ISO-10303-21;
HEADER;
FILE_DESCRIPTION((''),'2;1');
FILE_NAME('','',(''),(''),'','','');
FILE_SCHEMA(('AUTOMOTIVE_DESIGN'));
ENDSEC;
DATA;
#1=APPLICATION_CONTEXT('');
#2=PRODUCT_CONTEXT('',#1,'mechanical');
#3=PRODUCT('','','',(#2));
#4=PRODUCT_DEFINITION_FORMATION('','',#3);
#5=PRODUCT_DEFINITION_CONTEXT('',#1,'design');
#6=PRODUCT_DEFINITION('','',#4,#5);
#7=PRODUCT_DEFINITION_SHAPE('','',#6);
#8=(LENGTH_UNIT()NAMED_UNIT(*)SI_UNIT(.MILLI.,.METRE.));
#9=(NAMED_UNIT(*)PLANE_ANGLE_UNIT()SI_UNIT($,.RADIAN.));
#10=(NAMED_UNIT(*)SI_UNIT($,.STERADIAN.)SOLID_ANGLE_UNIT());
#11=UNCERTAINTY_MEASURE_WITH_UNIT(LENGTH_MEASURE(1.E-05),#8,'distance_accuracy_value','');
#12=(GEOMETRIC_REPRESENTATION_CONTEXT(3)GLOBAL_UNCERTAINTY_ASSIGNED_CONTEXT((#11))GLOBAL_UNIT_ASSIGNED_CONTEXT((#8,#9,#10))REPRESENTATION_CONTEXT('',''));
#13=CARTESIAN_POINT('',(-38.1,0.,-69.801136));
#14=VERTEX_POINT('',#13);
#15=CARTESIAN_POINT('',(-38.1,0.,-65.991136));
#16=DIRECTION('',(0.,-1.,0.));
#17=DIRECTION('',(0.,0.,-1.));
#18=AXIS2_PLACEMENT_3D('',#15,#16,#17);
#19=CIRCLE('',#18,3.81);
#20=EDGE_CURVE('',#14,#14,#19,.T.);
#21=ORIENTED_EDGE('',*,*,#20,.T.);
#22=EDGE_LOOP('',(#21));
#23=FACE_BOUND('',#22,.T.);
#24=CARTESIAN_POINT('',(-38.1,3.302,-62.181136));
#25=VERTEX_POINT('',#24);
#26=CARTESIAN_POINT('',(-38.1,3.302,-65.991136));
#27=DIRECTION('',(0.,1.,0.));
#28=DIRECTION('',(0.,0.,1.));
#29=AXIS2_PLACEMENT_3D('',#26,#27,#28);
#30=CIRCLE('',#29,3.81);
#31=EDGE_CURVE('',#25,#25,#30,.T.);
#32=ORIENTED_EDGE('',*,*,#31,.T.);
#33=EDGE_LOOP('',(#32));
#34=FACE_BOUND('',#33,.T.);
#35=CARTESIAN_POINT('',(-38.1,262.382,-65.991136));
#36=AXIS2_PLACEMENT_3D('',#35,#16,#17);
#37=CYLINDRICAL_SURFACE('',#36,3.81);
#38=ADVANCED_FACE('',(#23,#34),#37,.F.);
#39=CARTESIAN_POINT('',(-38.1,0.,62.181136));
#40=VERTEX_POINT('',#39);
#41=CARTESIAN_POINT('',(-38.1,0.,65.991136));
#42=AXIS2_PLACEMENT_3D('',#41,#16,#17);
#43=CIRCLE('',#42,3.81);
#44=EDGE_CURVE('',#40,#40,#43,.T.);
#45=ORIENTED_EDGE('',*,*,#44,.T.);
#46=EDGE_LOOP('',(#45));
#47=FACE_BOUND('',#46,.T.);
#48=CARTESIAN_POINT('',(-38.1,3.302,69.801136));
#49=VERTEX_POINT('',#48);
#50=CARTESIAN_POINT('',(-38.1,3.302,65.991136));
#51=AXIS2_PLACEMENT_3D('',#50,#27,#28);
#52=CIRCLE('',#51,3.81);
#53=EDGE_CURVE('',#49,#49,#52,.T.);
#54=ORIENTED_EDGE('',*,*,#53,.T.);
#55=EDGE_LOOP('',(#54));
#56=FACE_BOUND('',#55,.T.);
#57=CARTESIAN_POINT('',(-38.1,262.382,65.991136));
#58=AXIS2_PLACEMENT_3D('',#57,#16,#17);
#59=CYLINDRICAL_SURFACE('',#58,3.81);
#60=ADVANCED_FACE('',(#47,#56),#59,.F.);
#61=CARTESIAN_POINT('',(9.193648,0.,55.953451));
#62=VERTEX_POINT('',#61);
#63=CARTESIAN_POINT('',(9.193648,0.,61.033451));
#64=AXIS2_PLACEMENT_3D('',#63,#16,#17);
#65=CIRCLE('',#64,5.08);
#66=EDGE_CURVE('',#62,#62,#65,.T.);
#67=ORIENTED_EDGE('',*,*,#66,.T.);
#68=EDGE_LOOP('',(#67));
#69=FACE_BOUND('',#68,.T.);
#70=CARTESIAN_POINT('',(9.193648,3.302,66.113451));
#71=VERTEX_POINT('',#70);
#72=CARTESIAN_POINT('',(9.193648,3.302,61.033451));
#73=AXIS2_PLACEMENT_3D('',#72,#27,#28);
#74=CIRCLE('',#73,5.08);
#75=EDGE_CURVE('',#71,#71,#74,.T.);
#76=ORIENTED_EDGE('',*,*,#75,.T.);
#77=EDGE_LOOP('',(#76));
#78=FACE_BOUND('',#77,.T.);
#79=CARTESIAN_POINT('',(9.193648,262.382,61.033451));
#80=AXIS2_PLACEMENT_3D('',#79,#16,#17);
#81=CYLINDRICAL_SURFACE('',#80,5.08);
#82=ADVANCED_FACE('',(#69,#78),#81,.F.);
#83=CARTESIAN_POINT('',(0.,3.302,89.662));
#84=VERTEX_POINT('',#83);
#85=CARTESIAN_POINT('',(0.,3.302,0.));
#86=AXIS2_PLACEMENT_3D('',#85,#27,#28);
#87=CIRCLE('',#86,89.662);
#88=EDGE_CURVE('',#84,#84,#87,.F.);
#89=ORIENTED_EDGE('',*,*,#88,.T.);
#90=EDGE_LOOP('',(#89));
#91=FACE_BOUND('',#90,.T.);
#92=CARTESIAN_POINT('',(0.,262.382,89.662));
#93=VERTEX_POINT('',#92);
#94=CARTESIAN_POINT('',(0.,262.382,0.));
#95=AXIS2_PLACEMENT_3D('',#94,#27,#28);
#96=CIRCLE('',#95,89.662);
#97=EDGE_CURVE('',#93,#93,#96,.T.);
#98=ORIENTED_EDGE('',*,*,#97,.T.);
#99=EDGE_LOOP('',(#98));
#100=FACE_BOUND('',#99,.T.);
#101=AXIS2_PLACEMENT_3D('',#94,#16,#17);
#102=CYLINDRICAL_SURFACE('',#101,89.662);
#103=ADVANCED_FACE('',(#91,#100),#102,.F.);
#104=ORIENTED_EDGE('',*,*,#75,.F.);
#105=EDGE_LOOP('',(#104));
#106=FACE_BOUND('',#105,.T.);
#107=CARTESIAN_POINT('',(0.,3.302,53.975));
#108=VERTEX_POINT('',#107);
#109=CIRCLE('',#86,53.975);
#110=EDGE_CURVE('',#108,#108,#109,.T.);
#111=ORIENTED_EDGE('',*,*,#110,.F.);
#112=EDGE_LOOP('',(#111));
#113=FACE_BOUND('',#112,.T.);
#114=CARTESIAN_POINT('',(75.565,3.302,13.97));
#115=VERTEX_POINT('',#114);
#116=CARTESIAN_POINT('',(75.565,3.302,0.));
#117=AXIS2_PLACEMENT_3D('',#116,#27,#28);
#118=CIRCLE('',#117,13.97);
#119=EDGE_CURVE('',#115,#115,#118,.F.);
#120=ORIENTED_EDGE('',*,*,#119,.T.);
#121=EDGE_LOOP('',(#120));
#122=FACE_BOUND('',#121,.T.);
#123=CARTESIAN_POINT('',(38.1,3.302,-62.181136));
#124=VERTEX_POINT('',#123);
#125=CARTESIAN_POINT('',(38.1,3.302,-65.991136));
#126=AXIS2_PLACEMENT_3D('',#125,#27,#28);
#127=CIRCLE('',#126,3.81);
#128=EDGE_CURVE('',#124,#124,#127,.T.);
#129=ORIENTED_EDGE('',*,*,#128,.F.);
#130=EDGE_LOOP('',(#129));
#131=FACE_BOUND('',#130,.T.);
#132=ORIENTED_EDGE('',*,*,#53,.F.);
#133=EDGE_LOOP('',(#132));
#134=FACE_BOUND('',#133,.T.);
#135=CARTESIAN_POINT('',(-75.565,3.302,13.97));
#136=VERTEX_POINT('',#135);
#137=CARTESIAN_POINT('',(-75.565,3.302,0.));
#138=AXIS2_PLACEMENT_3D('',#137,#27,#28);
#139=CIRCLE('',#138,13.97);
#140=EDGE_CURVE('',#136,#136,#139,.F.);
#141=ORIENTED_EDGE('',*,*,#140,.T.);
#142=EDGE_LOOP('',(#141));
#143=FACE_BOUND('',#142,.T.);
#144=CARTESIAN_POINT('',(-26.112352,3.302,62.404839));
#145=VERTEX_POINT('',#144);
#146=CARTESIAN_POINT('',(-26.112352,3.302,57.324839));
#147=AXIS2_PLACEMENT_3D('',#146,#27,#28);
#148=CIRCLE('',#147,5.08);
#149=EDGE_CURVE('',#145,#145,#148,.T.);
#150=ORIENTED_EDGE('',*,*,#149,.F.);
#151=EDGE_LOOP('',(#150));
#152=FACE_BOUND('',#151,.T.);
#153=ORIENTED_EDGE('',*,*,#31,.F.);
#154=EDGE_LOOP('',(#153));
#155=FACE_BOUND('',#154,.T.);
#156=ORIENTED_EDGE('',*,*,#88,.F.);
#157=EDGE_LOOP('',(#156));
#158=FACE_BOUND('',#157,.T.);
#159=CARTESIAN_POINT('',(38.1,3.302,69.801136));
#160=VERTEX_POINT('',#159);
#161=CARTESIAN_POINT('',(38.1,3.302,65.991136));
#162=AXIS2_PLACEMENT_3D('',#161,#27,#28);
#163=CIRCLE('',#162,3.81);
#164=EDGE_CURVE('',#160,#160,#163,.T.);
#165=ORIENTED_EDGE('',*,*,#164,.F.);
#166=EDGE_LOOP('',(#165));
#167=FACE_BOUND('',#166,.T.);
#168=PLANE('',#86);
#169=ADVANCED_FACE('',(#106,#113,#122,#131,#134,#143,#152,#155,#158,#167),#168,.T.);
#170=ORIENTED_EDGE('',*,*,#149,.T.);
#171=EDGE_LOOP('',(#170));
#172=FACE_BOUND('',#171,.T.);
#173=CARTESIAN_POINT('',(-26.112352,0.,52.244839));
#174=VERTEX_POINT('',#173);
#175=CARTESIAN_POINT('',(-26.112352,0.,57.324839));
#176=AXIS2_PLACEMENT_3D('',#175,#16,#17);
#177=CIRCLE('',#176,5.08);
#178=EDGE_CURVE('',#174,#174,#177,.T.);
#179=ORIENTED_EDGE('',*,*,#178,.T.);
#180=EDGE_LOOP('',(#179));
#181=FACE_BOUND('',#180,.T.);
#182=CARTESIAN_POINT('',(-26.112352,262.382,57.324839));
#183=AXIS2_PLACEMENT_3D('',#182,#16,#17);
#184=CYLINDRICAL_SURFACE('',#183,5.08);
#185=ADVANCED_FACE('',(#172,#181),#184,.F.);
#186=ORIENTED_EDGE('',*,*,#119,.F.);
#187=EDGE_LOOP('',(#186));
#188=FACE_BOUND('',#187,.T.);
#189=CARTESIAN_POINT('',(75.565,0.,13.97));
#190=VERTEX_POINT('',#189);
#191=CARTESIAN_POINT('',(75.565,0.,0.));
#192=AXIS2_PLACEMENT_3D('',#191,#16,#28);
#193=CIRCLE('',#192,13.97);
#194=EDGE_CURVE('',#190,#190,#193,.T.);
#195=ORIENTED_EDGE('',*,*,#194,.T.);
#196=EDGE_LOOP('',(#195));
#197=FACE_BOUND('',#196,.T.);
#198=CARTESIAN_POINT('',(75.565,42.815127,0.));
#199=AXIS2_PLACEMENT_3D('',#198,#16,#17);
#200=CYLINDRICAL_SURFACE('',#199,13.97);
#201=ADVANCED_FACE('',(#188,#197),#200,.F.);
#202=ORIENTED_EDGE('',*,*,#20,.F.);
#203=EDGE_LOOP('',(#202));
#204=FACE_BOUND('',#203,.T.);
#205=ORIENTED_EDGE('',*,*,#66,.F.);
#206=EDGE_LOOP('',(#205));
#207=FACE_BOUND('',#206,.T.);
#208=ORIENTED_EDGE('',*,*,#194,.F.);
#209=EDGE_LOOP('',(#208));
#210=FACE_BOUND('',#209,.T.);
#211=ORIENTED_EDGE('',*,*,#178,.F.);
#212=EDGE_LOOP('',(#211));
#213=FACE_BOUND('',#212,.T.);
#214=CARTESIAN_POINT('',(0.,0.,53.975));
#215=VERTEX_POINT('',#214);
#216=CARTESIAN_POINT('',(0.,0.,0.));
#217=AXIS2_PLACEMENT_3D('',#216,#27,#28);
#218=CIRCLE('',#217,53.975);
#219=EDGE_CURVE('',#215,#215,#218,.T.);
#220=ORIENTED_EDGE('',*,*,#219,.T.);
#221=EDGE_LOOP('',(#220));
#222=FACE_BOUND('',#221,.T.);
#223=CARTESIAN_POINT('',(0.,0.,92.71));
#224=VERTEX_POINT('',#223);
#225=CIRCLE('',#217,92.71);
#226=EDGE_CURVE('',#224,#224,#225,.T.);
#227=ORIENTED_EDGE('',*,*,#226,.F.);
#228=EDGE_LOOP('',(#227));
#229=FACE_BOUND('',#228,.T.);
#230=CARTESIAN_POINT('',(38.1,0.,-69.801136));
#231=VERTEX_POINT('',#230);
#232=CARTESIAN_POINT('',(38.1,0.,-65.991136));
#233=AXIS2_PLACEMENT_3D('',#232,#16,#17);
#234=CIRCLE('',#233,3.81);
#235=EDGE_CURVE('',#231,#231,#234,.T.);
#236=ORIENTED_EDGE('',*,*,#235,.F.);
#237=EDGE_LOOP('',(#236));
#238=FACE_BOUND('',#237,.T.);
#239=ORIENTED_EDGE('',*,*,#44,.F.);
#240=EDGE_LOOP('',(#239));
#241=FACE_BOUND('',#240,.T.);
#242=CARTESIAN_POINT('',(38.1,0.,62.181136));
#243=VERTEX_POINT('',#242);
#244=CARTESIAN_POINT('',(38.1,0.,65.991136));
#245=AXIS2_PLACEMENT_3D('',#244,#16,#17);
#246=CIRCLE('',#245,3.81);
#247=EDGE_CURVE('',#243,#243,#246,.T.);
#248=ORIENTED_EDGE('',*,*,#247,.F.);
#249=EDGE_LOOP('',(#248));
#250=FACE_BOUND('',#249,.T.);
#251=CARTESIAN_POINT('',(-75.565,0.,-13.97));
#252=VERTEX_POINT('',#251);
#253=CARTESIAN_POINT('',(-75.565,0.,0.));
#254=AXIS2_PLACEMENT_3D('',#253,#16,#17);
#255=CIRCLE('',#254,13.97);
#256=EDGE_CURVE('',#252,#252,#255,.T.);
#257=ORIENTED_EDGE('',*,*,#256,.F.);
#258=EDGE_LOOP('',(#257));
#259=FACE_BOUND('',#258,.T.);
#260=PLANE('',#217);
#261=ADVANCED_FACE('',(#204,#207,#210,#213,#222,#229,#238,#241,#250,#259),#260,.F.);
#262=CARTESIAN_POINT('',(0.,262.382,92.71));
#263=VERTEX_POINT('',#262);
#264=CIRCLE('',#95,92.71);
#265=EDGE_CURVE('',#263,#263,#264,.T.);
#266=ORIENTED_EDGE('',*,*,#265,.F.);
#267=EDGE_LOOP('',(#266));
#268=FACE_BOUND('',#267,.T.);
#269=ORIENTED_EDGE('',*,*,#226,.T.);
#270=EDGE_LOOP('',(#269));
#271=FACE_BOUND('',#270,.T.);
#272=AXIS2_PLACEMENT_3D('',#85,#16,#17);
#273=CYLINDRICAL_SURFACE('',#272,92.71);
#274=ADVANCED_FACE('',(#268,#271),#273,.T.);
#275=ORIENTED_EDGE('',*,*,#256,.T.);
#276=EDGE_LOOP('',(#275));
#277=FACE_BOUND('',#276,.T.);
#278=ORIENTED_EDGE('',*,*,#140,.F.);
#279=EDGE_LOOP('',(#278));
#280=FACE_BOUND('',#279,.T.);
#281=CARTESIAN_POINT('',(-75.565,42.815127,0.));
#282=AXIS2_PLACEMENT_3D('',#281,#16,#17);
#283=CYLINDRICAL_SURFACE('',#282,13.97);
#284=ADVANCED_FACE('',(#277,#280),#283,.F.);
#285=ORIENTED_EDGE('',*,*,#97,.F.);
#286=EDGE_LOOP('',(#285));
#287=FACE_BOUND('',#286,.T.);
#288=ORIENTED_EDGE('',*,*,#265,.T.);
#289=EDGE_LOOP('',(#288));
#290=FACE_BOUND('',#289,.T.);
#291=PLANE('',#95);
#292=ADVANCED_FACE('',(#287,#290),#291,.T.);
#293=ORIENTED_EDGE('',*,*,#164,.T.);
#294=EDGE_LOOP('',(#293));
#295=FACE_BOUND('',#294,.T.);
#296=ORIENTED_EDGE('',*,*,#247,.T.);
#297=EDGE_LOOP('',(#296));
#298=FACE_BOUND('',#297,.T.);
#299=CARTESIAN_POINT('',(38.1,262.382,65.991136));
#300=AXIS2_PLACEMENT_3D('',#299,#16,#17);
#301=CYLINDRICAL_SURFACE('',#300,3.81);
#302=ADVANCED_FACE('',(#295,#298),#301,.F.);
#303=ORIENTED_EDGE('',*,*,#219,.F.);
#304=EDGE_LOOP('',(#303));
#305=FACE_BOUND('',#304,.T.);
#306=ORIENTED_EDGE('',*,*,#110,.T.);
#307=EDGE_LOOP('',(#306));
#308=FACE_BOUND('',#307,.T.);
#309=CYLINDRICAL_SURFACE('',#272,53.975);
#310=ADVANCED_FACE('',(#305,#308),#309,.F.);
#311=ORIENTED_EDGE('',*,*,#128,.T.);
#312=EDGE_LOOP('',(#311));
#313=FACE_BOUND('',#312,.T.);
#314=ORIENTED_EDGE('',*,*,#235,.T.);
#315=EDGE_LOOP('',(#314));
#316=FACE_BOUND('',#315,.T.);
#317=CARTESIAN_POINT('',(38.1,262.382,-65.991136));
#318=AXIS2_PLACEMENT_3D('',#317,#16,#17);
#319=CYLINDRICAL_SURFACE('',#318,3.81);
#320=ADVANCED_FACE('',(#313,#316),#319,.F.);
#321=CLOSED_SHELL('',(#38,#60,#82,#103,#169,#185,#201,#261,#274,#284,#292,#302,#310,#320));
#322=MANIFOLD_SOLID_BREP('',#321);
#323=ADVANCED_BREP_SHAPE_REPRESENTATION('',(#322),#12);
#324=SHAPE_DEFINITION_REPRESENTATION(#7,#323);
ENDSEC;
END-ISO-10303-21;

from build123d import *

# Parameters (mm, degrees)
SKETCH1_R               = 92.71
SKETCH1_R_2             = 53.975
TOP_OF_HATCH_DEPTH      = 3.302
SKETCH2_R               = 92.71
SKETCH2_R_2             = 89.662
HATCH_BODY_DEPTH        = 259.08
SKETCH3_R               = 13.97
CHARGE_TUBE_HOLES_DEPTH = 3.302
SKETCH4_R               = 3.81
BOLT_HOLES_DEPTH        = 263.382
SKETCH_5_R              = 5.08
ANTENNA_HOLES_DEPTH     = 263.382


with BuildPart() as part:
    # Sketch1 → Top of Hatch (new body)
    with BuildSketch(Plane(origin=(0, 0, 0), x_dir=(1, 0, 0), z_dir=(0, 1, 0))):
        Circle(SKETCH1_R)
        Circle(SKETCH1_R_2, mode=Mode.SUBTRACT)
    extrude(amount=TOP_OF_HATCH_DEPTH)

    # Sketch2 → Hatch Body (add)
    with BuildSketch(Plane(origin=(0, 3.302, 0), x_dir=(1, 0, 0), z_dir=(0, 1, 0))):
        Circle(SKETCH2_R)
        Circle(SKETCH2_R_2, mode=Mode.SUBTRACT)
    extrude(amount=HATCH_BODY_DEPTH)

    # Sketch3 → Charge Tube Holes (cut)
    with BuildSketch(Plane.XZ):
        with Locations((-75.565, 0)):
            Circle(SKETCH3_R)
        with Locations((75.565, 0)):
            Circle(SKETCH3_R)
    extrude(amount=-CHARGE_TUBE_HOLES_DEPTH, mode=Mode.SUBTRACT)

    # Sketch4 → Bolt Holes (cut, through all)
    with BuildSketch(Plane.XZ):
        with Locations((38.1, 65.991135768)):
            Circle(SKETCH4_R)
        with Locations((-38.1, 65.991135768)):
            Circle(SKETCH4_R)
        with Locations((-38.1, -65.991135768)):
            Circle(SKETCH4_R)
        with Locations((38.1, -65.991135768)):
            Circle(SKETCH4_R)
    extrude(amount=-BOLT_HOLES_DEPTH, mode=Mode.SUBTRACT)

    # Sketch 5 → Antenna Holes (cut, through all)
    with BuildSketch(Plane.XZ):
        with Locations((-26.112352144, 57.324838678)):
            Circle(SKETCH_5_R)
        with Locations((9.193647856, 61.033450854)):
            Circle(SKETCH_5_R)
    extrude(amount=-ANTENNA_HOLES_DEPTH, mode=Mode.SUBTRACT)


solid = part.part
